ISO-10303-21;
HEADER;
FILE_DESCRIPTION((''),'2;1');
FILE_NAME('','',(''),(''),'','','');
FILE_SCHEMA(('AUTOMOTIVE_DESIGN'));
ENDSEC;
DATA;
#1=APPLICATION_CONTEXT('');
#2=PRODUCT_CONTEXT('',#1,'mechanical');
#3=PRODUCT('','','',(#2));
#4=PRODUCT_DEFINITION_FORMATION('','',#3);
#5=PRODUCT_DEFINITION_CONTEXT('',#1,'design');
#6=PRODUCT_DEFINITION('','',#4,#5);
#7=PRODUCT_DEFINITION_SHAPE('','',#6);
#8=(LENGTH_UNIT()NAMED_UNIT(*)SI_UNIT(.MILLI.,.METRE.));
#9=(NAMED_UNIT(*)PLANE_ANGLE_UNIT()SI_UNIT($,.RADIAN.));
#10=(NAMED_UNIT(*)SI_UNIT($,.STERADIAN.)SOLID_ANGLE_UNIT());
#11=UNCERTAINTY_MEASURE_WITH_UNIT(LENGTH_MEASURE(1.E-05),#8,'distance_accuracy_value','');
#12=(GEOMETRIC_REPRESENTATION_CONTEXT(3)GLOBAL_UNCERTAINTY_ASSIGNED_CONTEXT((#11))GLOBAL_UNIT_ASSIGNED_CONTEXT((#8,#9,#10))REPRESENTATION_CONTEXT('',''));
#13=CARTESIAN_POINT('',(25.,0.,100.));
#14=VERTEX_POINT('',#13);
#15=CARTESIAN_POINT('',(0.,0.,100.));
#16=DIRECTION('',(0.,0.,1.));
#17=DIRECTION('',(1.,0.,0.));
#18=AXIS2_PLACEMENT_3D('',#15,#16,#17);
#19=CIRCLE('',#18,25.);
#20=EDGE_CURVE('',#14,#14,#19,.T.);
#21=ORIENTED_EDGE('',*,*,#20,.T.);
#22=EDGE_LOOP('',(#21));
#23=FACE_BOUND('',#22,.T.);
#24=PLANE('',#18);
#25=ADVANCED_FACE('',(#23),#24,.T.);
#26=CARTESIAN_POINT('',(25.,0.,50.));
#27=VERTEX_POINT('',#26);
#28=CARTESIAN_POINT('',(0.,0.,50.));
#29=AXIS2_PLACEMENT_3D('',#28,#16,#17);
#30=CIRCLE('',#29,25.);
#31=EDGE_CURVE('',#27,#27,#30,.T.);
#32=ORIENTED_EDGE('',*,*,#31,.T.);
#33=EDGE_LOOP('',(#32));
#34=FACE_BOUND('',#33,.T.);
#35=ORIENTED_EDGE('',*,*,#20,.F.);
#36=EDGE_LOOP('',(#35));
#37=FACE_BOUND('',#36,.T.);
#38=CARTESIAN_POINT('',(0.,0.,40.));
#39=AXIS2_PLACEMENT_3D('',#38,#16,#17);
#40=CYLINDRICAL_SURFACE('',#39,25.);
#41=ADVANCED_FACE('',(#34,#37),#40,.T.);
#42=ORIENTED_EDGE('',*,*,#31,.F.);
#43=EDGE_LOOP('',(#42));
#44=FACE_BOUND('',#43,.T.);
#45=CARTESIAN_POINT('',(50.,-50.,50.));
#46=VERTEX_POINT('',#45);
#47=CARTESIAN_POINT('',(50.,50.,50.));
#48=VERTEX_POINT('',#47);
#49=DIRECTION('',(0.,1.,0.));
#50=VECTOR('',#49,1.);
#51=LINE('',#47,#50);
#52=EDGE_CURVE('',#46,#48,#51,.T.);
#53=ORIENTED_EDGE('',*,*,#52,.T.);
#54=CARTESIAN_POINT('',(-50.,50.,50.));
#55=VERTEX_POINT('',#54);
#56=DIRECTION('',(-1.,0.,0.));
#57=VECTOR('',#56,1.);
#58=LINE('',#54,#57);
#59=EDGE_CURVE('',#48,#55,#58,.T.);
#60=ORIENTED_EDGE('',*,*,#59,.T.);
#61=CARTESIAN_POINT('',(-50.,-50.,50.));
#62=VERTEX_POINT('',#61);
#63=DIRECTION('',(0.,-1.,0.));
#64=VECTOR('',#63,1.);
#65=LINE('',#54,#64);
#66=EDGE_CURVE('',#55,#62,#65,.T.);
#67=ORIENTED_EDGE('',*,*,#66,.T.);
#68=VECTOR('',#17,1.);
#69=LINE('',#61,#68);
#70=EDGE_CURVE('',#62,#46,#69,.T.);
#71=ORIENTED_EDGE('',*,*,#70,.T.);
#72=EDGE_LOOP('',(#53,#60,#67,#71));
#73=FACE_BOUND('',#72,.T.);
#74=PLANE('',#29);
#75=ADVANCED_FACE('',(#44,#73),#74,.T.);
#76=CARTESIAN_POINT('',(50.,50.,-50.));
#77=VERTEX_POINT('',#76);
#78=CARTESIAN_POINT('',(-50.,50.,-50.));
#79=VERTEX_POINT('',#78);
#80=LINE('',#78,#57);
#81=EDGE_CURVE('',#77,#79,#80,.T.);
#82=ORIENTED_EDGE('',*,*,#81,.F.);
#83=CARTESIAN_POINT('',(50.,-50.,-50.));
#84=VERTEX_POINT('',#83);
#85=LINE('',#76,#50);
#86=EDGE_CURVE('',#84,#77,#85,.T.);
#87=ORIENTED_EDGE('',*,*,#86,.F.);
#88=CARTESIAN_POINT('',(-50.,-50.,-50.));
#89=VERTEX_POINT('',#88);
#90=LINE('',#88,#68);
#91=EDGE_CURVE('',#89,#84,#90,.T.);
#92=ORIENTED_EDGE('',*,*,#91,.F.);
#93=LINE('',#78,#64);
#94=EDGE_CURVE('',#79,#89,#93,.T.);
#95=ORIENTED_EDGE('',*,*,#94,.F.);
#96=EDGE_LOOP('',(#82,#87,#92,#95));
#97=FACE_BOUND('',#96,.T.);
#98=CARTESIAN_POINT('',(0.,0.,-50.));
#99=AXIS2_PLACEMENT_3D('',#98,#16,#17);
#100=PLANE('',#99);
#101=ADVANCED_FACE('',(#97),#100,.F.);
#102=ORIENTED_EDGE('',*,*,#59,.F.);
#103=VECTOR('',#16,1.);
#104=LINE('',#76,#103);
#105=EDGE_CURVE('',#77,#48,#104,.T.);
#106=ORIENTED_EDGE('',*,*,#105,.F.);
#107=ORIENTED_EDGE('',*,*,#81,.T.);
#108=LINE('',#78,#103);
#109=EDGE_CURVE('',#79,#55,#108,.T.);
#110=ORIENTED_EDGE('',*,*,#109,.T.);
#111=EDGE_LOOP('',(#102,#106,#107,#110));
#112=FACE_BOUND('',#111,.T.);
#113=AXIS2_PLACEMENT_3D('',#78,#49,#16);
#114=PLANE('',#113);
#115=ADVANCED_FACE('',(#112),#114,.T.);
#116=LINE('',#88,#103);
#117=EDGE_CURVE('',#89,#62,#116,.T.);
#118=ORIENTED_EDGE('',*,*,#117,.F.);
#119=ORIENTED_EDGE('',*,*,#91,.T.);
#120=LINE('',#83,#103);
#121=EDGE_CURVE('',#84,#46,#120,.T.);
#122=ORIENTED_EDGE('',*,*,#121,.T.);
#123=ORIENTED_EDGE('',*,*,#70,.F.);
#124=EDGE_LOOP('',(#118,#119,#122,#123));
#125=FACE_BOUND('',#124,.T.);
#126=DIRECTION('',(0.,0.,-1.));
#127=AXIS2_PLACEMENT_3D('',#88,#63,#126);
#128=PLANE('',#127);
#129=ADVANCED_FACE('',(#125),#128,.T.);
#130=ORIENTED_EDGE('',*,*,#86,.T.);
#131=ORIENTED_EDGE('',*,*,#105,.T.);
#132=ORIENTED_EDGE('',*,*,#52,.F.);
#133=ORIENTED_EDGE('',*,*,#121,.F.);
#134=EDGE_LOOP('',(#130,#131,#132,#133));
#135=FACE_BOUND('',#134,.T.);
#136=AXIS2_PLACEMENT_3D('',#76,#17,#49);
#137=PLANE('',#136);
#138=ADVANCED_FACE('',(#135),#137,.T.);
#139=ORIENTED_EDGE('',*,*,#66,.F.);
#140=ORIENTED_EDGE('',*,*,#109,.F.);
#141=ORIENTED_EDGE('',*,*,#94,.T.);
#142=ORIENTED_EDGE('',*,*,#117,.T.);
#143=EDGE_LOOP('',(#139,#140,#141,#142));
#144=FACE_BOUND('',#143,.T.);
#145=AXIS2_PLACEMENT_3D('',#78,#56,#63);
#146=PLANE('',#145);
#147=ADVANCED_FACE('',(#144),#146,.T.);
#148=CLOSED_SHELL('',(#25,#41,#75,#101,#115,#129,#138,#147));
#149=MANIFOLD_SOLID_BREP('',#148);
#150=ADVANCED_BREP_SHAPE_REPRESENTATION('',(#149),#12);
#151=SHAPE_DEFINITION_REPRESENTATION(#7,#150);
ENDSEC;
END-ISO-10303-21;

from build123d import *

# Parameters (mm, degrees)
BOSS_EXTRUDE1_DEPTH      = 50
BOSS_EXTRUDE1_DEPTH_BACK = 50
SKETCH1_W                = 100
SKETCH1_H                = 100
SKETCH2_R                = 25
BOSS_EXTRUDE2_DEPTH      = 60


with BuildPart() as part:
    # Sketch1 → Boss-Extrude1 (new, two sides: drawn at the far end of the back side and taken through both)
    with BuildSketch(Plane.XY.offset(-BOSS_EXTRUDE1_DEPTH_BACK)):
        Rectangle(SKETCH1_W, SKETCH1_H)
    extrude(amount=BOSS_EXTRUDE1_DEPTH + BOSS_EXTRUDE1_DEPTH_BACK)

    # Sketch2 → Boss-Extrude2 (add)
    with BuildSketch(Plane.XY.offset(100)):
        Circle(SKETCH2_R)
    extrude(amount=-BOSS_EXTRUDE2_DEPTH)


solid = part.part
